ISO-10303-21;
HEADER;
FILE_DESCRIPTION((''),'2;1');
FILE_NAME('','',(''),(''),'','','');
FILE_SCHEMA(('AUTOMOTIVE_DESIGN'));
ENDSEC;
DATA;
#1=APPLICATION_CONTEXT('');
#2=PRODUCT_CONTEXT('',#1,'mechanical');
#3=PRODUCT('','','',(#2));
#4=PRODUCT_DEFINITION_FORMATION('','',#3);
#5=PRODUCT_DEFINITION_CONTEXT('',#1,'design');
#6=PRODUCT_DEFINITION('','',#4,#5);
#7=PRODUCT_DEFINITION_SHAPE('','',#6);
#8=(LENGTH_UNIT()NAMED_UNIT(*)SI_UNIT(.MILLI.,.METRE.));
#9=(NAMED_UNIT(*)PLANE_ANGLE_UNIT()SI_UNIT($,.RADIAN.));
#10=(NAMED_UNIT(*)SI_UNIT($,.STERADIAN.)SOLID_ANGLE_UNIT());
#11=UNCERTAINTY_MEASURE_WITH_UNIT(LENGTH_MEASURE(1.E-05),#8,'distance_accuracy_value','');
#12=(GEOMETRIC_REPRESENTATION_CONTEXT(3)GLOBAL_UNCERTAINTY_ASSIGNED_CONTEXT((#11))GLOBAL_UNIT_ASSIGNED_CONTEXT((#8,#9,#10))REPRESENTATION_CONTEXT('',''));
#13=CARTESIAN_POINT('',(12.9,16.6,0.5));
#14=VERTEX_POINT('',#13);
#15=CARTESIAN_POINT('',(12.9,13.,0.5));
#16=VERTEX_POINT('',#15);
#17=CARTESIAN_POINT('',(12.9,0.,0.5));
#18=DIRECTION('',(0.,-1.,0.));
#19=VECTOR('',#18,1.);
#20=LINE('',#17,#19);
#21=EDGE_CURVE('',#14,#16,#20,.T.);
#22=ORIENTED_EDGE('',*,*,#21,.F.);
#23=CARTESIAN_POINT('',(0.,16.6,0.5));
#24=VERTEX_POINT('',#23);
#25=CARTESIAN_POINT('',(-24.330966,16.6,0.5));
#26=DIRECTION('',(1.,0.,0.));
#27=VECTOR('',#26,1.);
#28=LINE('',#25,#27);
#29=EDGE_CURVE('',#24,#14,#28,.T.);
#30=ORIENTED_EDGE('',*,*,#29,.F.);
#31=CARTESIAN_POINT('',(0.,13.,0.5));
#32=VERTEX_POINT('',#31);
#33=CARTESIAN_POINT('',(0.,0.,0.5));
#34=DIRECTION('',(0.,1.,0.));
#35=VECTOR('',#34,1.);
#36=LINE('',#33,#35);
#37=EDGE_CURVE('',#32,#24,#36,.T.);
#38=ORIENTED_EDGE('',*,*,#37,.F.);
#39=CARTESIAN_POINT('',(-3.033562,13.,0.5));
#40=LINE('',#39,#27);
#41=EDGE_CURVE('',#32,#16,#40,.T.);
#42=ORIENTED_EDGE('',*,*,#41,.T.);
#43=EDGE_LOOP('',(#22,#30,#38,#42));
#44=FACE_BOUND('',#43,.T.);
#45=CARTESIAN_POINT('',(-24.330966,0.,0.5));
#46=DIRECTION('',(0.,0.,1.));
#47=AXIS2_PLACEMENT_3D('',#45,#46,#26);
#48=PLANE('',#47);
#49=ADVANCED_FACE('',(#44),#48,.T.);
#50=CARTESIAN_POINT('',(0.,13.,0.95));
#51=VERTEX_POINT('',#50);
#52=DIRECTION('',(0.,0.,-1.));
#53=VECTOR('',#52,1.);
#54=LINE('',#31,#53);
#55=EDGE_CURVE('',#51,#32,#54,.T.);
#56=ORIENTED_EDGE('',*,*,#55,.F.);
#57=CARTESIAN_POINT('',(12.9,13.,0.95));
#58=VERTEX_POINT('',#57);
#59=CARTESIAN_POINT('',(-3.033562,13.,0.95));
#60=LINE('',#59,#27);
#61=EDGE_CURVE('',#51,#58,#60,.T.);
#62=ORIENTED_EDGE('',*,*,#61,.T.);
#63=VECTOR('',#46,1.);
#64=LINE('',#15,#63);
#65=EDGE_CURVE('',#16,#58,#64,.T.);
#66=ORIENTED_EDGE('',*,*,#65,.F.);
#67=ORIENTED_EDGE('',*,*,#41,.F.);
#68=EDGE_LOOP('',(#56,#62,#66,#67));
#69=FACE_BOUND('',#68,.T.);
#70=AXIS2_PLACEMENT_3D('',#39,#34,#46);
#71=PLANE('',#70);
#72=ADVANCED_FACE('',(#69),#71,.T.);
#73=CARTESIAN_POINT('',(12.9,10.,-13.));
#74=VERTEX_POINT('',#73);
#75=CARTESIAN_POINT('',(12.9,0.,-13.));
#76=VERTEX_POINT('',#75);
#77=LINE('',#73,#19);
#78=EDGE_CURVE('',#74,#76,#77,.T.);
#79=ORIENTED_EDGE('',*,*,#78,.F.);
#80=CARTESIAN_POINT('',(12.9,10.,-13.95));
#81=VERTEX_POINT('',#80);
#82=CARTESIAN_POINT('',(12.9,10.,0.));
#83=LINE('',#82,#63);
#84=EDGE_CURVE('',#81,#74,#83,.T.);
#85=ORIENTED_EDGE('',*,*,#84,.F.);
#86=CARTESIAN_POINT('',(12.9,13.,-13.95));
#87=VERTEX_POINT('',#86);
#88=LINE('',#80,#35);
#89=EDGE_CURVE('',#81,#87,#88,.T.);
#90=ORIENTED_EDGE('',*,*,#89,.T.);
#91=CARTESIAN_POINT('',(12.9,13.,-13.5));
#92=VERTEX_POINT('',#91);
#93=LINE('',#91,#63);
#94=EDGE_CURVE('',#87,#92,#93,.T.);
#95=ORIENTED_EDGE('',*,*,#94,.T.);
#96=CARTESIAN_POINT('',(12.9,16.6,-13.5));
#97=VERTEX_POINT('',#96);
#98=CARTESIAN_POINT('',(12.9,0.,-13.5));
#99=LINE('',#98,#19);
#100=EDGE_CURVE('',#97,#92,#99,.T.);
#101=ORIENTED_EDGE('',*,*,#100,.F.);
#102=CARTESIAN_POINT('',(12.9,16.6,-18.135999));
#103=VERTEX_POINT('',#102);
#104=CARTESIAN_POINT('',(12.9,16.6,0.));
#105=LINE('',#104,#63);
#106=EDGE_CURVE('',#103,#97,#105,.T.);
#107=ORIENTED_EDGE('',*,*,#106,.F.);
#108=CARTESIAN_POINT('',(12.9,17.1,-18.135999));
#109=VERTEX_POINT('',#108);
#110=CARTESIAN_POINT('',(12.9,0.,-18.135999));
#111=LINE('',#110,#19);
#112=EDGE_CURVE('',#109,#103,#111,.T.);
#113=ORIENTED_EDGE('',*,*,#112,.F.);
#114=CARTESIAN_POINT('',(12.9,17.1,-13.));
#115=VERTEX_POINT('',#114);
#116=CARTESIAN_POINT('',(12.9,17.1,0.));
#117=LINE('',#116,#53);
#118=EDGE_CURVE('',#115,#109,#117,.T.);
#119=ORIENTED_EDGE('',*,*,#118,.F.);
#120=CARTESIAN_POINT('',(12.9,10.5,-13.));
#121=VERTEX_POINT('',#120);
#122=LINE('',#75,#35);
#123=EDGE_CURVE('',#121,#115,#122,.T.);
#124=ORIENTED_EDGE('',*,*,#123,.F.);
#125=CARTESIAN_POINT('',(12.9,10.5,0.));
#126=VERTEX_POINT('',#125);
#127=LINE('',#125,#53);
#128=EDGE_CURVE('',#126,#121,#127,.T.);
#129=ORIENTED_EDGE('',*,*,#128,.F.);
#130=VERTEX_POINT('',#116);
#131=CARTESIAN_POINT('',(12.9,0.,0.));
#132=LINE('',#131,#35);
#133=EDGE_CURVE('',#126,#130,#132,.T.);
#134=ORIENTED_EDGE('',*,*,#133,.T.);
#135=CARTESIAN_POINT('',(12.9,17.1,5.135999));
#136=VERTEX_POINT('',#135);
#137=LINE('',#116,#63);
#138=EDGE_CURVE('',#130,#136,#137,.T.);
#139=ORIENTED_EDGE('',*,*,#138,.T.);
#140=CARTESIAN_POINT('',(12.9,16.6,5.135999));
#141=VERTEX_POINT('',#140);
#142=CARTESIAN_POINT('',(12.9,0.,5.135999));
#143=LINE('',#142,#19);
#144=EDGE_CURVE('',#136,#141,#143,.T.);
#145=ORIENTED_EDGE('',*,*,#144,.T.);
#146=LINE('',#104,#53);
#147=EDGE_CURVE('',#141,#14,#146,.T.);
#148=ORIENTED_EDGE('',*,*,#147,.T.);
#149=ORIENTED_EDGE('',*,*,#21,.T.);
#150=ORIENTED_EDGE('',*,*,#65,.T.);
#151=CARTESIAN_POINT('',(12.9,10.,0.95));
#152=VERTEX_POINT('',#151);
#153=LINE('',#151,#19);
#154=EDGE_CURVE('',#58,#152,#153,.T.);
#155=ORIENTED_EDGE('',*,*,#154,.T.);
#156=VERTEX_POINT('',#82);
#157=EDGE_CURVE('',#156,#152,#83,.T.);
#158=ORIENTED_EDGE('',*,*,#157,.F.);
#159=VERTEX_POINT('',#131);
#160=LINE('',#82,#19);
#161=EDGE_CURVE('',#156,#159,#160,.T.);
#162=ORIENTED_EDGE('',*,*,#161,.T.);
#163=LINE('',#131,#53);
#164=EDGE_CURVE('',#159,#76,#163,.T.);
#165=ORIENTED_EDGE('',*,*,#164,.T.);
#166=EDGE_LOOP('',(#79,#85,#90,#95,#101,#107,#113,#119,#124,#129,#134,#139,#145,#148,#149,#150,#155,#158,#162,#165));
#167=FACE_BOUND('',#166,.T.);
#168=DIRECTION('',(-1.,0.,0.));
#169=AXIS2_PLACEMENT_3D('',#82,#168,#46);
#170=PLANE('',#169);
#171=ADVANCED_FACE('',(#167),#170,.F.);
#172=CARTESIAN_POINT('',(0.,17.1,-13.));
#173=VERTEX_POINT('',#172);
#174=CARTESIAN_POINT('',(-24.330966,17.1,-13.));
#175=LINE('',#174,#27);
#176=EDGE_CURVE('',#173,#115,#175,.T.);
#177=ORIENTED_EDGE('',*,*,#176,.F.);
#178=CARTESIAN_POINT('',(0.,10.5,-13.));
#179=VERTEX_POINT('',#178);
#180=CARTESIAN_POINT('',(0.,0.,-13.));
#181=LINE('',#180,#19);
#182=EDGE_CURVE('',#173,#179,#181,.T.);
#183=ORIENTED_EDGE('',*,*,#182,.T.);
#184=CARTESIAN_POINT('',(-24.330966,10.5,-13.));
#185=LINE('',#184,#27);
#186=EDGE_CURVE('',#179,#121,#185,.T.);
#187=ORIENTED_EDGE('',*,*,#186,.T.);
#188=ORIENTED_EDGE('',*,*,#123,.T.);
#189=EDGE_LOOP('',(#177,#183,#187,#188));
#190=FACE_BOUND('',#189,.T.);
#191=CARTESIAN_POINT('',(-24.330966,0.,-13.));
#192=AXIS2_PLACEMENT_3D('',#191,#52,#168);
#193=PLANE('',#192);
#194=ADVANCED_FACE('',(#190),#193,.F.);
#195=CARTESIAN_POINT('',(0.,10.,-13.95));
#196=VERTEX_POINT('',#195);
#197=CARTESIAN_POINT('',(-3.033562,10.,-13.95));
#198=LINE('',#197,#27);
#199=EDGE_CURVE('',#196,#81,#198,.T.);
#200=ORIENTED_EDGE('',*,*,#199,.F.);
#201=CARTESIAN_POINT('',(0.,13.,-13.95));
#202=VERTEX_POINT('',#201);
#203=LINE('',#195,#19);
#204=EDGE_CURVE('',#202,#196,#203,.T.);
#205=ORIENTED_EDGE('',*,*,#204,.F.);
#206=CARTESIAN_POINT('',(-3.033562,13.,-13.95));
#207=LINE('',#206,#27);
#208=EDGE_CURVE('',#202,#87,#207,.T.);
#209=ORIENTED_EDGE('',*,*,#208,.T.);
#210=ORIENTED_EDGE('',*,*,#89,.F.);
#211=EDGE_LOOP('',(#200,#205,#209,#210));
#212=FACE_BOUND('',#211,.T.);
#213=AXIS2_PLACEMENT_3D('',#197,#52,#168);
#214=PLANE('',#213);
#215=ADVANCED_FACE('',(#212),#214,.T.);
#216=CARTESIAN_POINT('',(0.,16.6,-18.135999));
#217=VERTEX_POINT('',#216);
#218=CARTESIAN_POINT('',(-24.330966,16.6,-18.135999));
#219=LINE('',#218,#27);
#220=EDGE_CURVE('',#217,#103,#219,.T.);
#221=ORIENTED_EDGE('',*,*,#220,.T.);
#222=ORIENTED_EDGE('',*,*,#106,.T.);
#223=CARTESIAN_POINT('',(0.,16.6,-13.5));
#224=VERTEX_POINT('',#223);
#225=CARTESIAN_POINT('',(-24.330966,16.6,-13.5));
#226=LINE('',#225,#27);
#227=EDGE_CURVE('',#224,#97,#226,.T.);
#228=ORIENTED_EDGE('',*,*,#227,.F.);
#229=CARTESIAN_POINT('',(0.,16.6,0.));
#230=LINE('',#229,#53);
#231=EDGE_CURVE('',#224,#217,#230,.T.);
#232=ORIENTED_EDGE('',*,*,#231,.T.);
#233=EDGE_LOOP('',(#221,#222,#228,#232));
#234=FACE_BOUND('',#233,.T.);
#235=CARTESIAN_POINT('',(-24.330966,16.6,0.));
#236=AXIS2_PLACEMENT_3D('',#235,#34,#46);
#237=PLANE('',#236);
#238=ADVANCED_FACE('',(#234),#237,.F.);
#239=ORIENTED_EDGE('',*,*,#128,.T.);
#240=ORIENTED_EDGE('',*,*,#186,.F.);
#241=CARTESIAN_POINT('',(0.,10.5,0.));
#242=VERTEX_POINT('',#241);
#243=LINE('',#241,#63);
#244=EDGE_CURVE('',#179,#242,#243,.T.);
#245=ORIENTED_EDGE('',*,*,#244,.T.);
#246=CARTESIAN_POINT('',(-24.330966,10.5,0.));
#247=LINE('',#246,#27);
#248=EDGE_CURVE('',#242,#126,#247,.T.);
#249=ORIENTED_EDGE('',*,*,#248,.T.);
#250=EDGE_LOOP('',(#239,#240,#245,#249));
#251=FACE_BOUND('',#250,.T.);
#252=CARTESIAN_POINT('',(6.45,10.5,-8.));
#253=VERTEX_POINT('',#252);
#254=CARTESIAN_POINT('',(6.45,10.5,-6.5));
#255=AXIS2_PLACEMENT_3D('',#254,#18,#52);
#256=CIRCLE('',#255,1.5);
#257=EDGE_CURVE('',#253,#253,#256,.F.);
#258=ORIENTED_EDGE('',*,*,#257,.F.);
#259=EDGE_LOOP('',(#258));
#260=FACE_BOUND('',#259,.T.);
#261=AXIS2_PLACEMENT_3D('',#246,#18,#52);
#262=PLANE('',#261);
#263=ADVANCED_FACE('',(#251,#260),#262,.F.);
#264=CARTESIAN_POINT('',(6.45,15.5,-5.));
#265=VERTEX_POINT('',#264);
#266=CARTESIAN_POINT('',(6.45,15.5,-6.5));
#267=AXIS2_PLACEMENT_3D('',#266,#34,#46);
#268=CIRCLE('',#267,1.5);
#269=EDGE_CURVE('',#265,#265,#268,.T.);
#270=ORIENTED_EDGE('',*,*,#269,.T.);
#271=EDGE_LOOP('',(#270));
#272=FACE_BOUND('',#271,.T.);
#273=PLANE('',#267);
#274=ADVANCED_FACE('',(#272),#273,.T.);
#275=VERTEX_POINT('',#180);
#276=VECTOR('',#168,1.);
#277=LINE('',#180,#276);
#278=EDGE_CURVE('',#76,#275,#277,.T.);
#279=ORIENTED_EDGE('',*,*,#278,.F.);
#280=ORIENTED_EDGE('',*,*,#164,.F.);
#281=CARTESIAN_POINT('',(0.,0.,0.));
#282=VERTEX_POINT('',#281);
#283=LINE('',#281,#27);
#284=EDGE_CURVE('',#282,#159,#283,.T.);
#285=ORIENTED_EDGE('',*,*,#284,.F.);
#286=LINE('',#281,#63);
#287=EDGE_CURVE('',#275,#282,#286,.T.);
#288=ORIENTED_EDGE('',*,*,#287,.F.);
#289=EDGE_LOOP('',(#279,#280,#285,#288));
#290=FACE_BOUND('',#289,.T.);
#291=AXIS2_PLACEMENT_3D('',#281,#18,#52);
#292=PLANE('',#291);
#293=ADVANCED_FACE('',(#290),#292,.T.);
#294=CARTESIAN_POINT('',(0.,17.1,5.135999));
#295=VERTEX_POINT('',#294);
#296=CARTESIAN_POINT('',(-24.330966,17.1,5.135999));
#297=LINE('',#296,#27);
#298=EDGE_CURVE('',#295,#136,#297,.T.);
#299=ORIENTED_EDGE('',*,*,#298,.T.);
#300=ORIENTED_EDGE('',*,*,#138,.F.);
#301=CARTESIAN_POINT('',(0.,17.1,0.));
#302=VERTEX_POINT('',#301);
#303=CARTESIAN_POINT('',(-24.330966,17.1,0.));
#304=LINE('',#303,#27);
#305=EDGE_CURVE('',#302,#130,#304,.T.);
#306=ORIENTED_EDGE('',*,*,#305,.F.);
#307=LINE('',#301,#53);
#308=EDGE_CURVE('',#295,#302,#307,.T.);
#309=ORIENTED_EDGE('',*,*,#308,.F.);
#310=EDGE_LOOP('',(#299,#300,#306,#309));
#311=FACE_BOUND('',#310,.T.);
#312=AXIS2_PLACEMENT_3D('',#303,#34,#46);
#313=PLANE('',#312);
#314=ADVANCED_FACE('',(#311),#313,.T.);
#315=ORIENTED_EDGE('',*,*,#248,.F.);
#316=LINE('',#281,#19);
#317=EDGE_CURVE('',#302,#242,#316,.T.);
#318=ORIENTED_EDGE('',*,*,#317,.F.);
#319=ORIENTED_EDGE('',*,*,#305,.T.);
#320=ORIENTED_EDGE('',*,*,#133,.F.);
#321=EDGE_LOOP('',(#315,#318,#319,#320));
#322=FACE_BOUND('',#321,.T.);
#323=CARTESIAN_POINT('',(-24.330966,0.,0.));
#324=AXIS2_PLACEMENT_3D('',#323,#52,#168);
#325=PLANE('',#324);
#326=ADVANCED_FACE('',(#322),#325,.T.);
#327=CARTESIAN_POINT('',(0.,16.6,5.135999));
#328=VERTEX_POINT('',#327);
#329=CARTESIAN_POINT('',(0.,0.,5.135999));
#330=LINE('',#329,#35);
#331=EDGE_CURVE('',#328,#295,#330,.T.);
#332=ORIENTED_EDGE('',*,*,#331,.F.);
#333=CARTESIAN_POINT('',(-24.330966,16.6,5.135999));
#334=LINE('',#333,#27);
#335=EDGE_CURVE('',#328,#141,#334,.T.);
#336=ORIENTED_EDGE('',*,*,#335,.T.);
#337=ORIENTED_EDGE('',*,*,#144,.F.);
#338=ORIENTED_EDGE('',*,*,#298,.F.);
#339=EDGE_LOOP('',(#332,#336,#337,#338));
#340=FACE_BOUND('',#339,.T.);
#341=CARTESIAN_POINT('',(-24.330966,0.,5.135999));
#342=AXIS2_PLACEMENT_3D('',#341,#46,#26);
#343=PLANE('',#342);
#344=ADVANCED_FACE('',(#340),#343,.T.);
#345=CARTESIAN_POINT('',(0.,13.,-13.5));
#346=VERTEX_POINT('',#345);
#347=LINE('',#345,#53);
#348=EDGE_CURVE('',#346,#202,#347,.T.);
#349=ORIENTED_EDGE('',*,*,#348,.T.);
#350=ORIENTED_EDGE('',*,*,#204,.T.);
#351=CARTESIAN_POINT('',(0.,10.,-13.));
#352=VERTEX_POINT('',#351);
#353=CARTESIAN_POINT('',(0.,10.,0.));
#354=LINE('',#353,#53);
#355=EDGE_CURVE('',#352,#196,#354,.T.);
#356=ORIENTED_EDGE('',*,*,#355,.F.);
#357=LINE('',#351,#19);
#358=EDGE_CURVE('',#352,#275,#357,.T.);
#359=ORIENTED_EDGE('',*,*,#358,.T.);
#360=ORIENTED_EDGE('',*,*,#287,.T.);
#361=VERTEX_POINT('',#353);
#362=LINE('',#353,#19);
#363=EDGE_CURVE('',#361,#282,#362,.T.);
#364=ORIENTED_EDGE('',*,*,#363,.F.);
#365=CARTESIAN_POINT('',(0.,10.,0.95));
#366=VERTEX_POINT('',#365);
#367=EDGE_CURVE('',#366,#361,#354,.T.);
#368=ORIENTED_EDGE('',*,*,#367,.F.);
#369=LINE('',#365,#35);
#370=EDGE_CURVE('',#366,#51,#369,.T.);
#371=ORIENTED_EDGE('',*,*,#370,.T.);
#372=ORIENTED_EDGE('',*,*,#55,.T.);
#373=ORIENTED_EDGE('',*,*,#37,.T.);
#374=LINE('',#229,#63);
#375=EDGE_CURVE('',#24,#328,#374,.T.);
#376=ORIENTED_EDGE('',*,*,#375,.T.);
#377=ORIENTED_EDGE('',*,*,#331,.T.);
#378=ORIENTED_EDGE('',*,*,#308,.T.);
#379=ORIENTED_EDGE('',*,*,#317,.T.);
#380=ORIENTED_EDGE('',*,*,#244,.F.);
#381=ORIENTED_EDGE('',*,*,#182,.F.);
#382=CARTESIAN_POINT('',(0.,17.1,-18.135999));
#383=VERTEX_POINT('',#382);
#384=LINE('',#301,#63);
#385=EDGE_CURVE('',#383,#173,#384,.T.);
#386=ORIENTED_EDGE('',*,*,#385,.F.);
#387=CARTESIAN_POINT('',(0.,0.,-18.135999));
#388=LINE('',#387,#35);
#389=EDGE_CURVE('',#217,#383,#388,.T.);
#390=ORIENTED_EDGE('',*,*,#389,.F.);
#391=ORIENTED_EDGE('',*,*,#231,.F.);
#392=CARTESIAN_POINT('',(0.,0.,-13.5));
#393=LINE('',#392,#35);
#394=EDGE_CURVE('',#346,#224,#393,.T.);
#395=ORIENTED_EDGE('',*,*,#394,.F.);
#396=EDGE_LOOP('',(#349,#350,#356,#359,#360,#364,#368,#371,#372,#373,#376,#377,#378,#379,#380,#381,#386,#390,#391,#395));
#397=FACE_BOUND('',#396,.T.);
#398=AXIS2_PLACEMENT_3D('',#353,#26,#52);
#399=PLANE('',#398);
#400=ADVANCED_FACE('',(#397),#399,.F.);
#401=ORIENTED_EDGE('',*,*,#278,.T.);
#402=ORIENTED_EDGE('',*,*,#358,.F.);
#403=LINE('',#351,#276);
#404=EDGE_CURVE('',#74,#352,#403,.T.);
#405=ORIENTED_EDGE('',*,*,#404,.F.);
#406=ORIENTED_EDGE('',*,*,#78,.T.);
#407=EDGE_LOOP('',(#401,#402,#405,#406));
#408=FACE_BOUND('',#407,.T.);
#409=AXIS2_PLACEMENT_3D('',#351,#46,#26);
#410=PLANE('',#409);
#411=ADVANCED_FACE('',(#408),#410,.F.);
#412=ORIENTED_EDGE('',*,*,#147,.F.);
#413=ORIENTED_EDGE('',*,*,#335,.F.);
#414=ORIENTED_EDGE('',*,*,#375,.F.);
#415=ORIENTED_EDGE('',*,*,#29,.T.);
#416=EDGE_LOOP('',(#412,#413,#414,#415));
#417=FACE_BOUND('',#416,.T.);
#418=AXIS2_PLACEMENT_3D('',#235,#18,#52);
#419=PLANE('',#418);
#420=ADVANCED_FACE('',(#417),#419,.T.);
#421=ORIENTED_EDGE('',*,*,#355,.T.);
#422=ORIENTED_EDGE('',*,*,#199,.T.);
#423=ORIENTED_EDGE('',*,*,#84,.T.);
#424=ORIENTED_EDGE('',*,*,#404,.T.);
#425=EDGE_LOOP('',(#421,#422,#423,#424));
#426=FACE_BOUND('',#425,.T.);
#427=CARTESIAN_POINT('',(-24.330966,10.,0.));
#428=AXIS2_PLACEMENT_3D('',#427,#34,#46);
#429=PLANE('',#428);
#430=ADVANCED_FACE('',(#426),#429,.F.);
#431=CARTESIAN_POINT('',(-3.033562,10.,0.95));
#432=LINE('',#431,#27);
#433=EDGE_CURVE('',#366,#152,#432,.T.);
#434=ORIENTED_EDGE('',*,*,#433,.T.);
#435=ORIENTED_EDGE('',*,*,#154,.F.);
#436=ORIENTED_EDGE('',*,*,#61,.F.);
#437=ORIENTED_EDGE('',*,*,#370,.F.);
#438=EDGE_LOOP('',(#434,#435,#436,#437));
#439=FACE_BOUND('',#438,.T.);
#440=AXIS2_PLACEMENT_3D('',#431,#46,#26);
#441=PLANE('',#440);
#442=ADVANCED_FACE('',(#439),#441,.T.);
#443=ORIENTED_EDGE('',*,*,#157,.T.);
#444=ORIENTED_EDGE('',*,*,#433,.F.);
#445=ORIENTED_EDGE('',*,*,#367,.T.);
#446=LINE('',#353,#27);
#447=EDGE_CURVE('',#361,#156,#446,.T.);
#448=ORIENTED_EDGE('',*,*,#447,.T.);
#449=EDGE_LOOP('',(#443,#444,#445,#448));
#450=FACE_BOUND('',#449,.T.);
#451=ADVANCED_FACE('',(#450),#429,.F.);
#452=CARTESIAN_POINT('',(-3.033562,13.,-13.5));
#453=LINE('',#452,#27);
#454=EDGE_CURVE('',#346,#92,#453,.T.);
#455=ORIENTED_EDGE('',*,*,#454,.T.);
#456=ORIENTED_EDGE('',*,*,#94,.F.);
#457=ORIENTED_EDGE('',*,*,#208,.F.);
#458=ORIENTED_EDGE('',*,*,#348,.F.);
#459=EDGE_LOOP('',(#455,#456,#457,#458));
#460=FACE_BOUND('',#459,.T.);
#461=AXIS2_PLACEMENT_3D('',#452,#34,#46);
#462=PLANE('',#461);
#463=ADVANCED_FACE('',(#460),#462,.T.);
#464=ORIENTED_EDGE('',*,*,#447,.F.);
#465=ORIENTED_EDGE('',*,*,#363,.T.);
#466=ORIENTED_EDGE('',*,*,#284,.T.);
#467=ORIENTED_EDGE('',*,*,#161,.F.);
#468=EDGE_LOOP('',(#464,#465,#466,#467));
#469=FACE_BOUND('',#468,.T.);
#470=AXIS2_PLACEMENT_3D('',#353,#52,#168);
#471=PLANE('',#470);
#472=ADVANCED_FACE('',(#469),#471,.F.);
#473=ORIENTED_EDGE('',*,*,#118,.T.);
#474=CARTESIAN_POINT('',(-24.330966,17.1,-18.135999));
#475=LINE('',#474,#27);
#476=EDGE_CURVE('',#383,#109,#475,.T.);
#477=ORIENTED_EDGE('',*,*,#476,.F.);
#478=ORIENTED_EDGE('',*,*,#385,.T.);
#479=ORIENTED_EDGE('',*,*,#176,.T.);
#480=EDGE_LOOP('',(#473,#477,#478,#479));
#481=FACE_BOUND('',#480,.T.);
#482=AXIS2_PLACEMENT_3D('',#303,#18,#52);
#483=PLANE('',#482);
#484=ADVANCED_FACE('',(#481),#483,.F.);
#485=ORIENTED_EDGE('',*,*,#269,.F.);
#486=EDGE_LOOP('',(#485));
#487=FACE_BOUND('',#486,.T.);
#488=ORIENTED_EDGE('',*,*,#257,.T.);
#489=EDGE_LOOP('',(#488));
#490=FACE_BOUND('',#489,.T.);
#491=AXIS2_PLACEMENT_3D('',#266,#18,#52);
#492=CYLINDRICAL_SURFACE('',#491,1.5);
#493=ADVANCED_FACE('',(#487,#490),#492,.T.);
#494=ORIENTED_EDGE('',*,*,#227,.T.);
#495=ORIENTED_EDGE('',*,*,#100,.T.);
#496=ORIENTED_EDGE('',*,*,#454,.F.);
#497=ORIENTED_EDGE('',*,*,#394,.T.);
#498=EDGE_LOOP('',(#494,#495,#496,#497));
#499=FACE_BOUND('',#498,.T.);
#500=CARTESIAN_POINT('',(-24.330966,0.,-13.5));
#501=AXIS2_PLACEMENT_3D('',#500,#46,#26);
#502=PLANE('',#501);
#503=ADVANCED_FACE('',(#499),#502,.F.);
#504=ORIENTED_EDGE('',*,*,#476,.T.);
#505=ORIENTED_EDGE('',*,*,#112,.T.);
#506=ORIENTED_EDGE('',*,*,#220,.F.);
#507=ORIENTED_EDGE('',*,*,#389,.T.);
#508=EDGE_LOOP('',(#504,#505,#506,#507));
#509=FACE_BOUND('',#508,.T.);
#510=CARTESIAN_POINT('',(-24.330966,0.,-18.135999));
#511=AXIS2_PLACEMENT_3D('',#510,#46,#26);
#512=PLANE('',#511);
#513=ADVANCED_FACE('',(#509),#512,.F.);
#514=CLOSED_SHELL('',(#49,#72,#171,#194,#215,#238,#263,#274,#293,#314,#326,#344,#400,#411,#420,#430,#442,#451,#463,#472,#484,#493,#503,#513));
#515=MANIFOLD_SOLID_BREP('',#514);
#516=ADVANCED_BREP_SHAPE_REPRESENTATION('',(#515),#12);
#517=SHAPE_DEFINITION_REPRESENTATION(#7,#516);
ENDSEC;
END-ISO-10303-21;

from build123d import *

# Parameters (mm, degrees)
SKETCH1_W           = 12.9
SKETCH1_H           = 13
BOSS_EXTRUDE1_DEPTH = 10
BOSS_EXTRUDE2_DEPTH = 12.9
SKETCH3_W           = 0.45
SKETCH3_H           = 3
BOSS_EXTRUDE3_DEPTH = 12.9
SKETCH4_R           = 1.5
BOSS_EXTRUDE4_DEPTH = 5


with BuildPart() as part:
    # Sketch1 → Boss-Extrude1 (new body)
    with BuildSketch(Plane(origin=(0, 0, 0), x_dir=(1, 0, 0), z_dir=(0, 1, 0))):
        with Locations((6.45, 6.5)):
            Rectangle(SKETCH1_W, SKETCH1_H)
    extrude(amount=BOSS_EXTRUDE1_DEPTH)

    # Sketch2 → Boss-Extrude2 (add)
    with BuildSketch(Plane(origin=(12.9, 0, 0), x_dir=(0, 0, -1), z_dir=(1, 0, 0))):
        Polygon((6.5, 10), (6.5, 10.5), (0, 10.5), (0, 17.1), (-5.135999104, 17.1), (-5.135999104, 16.6), (-0.5, 16.6), (-0.5, 10), (0, 10), align=None)
        Polygon((13, 17.1), (13, 10.5), (6.5, 10.5), (6.5, 10), (13, 10), (13.5, 10), (13.5, 16.6), (18.135999104, 16.6), (18.135999104, 17.1), align=None)
    extrude(amount=-BOSS_EXTRUDE2_DEPTH)

    # Sketch3 → Boss-Extrude3 (add)
    with BuildSketch(Plane(origin=(12.9, 0, 0), x_dir=(0, 0, -1), z_dir=(1, 0, 0))):
        with Locations((-0.725, 11.5)):
            Rectangle(SKETCH3_W, SKETCH3_H)
        with Locations((13.725, 11.5)):
            Rectangle(SKETCH3_W, SKETCH3_H)
    extrude(amount=-BOSS_EXTRUDE3_DEPTH)

    # Sketch4 → Boss-Extrude4 (add)
    with BuildSketch(Plane(origin=(0, 10.5, 0), x_dir=(1, 0, 0), z_dir=(0, 1, 0))):
        with Locations(Location((6.45, 6.5, 0), (0, 0, 90))):
            Circle(SKETCH4_R)
    extrude(amount=BOSS_EXTRUDE4_DEPTH)


solid = part.part
